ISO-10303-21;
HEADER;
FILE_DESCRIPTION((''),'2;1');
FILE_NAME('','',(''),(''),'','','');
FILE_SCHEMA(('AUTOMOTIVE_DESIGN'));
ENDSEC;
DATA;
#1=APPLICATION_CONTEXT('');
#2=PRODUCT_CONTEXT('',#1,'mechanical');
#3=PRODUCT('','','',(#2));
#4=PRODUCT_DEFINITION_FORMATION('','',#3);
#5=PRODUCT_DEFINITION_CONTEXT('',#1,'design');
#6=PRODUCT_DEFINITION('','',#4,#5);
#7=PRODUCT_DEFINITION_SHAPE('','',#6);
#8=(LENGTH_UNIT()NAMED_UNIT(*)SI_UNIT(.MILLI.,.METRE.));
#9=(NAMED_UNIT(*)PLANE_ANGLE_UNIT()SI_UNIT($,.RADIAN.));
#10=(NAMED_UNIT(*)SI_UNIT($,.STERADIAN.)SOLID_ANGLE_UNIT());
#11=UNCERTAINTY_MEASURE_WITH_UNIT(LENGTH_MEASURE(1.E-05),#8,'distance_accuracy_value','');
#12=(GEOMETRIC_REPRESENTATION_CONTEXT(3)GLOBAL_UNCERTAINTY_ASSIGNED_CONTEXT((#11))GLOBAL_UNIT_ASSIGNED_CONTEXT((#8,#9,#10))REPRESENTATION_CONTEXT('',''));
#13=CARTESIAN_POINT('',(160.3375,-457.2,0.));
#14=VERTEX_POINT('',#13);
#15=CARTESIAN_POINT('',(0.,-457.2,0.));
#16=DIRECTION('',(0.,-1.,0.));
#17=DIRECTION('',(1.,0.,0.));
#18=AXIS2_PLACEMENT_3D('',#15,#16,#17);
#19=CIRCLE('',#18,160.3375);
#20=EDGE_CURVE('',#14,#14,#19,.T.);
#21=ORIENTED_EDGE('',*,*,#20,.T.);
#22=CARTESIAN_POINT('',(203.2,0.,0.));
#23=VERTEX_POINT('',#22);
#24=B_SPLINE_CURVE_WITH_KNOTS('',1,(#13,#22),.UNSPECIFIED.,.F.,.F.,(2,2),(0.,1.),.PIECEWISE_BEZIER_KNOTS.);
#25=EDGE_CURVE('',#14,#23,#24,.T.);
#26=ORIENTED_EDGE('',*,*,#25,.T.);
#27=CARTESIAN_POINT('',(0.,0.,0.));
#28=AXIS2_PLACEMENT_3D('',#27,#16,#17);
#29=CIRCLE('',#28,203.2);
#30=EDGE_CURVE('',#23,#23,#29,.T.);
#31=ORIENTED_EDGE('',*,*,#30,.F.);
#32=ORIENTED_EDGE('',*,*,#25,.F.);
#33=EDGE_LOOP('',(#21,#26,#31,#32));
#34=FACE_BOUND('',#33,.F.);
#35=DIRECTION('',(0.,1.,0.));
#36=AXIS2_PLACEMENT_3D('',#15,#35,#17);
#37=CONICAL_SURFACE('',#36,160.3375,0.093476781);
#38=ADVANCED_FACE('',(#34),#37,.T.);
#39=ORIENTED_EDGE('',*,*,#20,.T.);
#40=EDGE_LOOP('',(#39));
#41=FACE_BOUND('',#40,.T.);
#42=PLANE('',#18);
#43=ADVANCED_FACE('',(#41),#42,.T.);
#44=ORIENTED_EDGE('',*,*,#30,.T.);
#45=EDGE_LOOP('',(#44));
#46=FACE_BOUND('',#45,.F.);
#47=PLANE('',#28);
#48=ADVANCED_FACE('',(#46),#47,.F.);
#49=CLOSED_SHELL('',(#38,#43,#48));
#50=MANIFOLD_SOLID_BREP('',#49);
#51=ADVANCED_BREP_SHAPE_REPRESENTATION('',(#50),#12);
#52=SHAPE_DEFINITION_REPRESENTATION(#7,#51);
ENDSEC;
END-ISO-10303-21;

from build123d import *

# Parameters (mm, degrees)
F2_R = 160.3375
F0_R = 203.2


with BuildPart() as f3:
    # F2 (on offset) → F3 section 0
    with BuildSketch(Plane.XZ.offset(457.2)):
        Circle(F2_R)
    # F0 (on Front) → F3 section 1
    with BuildSketch(Plane.XZ):
        Circle(F0_R)
    loft()


solid = f3.part
